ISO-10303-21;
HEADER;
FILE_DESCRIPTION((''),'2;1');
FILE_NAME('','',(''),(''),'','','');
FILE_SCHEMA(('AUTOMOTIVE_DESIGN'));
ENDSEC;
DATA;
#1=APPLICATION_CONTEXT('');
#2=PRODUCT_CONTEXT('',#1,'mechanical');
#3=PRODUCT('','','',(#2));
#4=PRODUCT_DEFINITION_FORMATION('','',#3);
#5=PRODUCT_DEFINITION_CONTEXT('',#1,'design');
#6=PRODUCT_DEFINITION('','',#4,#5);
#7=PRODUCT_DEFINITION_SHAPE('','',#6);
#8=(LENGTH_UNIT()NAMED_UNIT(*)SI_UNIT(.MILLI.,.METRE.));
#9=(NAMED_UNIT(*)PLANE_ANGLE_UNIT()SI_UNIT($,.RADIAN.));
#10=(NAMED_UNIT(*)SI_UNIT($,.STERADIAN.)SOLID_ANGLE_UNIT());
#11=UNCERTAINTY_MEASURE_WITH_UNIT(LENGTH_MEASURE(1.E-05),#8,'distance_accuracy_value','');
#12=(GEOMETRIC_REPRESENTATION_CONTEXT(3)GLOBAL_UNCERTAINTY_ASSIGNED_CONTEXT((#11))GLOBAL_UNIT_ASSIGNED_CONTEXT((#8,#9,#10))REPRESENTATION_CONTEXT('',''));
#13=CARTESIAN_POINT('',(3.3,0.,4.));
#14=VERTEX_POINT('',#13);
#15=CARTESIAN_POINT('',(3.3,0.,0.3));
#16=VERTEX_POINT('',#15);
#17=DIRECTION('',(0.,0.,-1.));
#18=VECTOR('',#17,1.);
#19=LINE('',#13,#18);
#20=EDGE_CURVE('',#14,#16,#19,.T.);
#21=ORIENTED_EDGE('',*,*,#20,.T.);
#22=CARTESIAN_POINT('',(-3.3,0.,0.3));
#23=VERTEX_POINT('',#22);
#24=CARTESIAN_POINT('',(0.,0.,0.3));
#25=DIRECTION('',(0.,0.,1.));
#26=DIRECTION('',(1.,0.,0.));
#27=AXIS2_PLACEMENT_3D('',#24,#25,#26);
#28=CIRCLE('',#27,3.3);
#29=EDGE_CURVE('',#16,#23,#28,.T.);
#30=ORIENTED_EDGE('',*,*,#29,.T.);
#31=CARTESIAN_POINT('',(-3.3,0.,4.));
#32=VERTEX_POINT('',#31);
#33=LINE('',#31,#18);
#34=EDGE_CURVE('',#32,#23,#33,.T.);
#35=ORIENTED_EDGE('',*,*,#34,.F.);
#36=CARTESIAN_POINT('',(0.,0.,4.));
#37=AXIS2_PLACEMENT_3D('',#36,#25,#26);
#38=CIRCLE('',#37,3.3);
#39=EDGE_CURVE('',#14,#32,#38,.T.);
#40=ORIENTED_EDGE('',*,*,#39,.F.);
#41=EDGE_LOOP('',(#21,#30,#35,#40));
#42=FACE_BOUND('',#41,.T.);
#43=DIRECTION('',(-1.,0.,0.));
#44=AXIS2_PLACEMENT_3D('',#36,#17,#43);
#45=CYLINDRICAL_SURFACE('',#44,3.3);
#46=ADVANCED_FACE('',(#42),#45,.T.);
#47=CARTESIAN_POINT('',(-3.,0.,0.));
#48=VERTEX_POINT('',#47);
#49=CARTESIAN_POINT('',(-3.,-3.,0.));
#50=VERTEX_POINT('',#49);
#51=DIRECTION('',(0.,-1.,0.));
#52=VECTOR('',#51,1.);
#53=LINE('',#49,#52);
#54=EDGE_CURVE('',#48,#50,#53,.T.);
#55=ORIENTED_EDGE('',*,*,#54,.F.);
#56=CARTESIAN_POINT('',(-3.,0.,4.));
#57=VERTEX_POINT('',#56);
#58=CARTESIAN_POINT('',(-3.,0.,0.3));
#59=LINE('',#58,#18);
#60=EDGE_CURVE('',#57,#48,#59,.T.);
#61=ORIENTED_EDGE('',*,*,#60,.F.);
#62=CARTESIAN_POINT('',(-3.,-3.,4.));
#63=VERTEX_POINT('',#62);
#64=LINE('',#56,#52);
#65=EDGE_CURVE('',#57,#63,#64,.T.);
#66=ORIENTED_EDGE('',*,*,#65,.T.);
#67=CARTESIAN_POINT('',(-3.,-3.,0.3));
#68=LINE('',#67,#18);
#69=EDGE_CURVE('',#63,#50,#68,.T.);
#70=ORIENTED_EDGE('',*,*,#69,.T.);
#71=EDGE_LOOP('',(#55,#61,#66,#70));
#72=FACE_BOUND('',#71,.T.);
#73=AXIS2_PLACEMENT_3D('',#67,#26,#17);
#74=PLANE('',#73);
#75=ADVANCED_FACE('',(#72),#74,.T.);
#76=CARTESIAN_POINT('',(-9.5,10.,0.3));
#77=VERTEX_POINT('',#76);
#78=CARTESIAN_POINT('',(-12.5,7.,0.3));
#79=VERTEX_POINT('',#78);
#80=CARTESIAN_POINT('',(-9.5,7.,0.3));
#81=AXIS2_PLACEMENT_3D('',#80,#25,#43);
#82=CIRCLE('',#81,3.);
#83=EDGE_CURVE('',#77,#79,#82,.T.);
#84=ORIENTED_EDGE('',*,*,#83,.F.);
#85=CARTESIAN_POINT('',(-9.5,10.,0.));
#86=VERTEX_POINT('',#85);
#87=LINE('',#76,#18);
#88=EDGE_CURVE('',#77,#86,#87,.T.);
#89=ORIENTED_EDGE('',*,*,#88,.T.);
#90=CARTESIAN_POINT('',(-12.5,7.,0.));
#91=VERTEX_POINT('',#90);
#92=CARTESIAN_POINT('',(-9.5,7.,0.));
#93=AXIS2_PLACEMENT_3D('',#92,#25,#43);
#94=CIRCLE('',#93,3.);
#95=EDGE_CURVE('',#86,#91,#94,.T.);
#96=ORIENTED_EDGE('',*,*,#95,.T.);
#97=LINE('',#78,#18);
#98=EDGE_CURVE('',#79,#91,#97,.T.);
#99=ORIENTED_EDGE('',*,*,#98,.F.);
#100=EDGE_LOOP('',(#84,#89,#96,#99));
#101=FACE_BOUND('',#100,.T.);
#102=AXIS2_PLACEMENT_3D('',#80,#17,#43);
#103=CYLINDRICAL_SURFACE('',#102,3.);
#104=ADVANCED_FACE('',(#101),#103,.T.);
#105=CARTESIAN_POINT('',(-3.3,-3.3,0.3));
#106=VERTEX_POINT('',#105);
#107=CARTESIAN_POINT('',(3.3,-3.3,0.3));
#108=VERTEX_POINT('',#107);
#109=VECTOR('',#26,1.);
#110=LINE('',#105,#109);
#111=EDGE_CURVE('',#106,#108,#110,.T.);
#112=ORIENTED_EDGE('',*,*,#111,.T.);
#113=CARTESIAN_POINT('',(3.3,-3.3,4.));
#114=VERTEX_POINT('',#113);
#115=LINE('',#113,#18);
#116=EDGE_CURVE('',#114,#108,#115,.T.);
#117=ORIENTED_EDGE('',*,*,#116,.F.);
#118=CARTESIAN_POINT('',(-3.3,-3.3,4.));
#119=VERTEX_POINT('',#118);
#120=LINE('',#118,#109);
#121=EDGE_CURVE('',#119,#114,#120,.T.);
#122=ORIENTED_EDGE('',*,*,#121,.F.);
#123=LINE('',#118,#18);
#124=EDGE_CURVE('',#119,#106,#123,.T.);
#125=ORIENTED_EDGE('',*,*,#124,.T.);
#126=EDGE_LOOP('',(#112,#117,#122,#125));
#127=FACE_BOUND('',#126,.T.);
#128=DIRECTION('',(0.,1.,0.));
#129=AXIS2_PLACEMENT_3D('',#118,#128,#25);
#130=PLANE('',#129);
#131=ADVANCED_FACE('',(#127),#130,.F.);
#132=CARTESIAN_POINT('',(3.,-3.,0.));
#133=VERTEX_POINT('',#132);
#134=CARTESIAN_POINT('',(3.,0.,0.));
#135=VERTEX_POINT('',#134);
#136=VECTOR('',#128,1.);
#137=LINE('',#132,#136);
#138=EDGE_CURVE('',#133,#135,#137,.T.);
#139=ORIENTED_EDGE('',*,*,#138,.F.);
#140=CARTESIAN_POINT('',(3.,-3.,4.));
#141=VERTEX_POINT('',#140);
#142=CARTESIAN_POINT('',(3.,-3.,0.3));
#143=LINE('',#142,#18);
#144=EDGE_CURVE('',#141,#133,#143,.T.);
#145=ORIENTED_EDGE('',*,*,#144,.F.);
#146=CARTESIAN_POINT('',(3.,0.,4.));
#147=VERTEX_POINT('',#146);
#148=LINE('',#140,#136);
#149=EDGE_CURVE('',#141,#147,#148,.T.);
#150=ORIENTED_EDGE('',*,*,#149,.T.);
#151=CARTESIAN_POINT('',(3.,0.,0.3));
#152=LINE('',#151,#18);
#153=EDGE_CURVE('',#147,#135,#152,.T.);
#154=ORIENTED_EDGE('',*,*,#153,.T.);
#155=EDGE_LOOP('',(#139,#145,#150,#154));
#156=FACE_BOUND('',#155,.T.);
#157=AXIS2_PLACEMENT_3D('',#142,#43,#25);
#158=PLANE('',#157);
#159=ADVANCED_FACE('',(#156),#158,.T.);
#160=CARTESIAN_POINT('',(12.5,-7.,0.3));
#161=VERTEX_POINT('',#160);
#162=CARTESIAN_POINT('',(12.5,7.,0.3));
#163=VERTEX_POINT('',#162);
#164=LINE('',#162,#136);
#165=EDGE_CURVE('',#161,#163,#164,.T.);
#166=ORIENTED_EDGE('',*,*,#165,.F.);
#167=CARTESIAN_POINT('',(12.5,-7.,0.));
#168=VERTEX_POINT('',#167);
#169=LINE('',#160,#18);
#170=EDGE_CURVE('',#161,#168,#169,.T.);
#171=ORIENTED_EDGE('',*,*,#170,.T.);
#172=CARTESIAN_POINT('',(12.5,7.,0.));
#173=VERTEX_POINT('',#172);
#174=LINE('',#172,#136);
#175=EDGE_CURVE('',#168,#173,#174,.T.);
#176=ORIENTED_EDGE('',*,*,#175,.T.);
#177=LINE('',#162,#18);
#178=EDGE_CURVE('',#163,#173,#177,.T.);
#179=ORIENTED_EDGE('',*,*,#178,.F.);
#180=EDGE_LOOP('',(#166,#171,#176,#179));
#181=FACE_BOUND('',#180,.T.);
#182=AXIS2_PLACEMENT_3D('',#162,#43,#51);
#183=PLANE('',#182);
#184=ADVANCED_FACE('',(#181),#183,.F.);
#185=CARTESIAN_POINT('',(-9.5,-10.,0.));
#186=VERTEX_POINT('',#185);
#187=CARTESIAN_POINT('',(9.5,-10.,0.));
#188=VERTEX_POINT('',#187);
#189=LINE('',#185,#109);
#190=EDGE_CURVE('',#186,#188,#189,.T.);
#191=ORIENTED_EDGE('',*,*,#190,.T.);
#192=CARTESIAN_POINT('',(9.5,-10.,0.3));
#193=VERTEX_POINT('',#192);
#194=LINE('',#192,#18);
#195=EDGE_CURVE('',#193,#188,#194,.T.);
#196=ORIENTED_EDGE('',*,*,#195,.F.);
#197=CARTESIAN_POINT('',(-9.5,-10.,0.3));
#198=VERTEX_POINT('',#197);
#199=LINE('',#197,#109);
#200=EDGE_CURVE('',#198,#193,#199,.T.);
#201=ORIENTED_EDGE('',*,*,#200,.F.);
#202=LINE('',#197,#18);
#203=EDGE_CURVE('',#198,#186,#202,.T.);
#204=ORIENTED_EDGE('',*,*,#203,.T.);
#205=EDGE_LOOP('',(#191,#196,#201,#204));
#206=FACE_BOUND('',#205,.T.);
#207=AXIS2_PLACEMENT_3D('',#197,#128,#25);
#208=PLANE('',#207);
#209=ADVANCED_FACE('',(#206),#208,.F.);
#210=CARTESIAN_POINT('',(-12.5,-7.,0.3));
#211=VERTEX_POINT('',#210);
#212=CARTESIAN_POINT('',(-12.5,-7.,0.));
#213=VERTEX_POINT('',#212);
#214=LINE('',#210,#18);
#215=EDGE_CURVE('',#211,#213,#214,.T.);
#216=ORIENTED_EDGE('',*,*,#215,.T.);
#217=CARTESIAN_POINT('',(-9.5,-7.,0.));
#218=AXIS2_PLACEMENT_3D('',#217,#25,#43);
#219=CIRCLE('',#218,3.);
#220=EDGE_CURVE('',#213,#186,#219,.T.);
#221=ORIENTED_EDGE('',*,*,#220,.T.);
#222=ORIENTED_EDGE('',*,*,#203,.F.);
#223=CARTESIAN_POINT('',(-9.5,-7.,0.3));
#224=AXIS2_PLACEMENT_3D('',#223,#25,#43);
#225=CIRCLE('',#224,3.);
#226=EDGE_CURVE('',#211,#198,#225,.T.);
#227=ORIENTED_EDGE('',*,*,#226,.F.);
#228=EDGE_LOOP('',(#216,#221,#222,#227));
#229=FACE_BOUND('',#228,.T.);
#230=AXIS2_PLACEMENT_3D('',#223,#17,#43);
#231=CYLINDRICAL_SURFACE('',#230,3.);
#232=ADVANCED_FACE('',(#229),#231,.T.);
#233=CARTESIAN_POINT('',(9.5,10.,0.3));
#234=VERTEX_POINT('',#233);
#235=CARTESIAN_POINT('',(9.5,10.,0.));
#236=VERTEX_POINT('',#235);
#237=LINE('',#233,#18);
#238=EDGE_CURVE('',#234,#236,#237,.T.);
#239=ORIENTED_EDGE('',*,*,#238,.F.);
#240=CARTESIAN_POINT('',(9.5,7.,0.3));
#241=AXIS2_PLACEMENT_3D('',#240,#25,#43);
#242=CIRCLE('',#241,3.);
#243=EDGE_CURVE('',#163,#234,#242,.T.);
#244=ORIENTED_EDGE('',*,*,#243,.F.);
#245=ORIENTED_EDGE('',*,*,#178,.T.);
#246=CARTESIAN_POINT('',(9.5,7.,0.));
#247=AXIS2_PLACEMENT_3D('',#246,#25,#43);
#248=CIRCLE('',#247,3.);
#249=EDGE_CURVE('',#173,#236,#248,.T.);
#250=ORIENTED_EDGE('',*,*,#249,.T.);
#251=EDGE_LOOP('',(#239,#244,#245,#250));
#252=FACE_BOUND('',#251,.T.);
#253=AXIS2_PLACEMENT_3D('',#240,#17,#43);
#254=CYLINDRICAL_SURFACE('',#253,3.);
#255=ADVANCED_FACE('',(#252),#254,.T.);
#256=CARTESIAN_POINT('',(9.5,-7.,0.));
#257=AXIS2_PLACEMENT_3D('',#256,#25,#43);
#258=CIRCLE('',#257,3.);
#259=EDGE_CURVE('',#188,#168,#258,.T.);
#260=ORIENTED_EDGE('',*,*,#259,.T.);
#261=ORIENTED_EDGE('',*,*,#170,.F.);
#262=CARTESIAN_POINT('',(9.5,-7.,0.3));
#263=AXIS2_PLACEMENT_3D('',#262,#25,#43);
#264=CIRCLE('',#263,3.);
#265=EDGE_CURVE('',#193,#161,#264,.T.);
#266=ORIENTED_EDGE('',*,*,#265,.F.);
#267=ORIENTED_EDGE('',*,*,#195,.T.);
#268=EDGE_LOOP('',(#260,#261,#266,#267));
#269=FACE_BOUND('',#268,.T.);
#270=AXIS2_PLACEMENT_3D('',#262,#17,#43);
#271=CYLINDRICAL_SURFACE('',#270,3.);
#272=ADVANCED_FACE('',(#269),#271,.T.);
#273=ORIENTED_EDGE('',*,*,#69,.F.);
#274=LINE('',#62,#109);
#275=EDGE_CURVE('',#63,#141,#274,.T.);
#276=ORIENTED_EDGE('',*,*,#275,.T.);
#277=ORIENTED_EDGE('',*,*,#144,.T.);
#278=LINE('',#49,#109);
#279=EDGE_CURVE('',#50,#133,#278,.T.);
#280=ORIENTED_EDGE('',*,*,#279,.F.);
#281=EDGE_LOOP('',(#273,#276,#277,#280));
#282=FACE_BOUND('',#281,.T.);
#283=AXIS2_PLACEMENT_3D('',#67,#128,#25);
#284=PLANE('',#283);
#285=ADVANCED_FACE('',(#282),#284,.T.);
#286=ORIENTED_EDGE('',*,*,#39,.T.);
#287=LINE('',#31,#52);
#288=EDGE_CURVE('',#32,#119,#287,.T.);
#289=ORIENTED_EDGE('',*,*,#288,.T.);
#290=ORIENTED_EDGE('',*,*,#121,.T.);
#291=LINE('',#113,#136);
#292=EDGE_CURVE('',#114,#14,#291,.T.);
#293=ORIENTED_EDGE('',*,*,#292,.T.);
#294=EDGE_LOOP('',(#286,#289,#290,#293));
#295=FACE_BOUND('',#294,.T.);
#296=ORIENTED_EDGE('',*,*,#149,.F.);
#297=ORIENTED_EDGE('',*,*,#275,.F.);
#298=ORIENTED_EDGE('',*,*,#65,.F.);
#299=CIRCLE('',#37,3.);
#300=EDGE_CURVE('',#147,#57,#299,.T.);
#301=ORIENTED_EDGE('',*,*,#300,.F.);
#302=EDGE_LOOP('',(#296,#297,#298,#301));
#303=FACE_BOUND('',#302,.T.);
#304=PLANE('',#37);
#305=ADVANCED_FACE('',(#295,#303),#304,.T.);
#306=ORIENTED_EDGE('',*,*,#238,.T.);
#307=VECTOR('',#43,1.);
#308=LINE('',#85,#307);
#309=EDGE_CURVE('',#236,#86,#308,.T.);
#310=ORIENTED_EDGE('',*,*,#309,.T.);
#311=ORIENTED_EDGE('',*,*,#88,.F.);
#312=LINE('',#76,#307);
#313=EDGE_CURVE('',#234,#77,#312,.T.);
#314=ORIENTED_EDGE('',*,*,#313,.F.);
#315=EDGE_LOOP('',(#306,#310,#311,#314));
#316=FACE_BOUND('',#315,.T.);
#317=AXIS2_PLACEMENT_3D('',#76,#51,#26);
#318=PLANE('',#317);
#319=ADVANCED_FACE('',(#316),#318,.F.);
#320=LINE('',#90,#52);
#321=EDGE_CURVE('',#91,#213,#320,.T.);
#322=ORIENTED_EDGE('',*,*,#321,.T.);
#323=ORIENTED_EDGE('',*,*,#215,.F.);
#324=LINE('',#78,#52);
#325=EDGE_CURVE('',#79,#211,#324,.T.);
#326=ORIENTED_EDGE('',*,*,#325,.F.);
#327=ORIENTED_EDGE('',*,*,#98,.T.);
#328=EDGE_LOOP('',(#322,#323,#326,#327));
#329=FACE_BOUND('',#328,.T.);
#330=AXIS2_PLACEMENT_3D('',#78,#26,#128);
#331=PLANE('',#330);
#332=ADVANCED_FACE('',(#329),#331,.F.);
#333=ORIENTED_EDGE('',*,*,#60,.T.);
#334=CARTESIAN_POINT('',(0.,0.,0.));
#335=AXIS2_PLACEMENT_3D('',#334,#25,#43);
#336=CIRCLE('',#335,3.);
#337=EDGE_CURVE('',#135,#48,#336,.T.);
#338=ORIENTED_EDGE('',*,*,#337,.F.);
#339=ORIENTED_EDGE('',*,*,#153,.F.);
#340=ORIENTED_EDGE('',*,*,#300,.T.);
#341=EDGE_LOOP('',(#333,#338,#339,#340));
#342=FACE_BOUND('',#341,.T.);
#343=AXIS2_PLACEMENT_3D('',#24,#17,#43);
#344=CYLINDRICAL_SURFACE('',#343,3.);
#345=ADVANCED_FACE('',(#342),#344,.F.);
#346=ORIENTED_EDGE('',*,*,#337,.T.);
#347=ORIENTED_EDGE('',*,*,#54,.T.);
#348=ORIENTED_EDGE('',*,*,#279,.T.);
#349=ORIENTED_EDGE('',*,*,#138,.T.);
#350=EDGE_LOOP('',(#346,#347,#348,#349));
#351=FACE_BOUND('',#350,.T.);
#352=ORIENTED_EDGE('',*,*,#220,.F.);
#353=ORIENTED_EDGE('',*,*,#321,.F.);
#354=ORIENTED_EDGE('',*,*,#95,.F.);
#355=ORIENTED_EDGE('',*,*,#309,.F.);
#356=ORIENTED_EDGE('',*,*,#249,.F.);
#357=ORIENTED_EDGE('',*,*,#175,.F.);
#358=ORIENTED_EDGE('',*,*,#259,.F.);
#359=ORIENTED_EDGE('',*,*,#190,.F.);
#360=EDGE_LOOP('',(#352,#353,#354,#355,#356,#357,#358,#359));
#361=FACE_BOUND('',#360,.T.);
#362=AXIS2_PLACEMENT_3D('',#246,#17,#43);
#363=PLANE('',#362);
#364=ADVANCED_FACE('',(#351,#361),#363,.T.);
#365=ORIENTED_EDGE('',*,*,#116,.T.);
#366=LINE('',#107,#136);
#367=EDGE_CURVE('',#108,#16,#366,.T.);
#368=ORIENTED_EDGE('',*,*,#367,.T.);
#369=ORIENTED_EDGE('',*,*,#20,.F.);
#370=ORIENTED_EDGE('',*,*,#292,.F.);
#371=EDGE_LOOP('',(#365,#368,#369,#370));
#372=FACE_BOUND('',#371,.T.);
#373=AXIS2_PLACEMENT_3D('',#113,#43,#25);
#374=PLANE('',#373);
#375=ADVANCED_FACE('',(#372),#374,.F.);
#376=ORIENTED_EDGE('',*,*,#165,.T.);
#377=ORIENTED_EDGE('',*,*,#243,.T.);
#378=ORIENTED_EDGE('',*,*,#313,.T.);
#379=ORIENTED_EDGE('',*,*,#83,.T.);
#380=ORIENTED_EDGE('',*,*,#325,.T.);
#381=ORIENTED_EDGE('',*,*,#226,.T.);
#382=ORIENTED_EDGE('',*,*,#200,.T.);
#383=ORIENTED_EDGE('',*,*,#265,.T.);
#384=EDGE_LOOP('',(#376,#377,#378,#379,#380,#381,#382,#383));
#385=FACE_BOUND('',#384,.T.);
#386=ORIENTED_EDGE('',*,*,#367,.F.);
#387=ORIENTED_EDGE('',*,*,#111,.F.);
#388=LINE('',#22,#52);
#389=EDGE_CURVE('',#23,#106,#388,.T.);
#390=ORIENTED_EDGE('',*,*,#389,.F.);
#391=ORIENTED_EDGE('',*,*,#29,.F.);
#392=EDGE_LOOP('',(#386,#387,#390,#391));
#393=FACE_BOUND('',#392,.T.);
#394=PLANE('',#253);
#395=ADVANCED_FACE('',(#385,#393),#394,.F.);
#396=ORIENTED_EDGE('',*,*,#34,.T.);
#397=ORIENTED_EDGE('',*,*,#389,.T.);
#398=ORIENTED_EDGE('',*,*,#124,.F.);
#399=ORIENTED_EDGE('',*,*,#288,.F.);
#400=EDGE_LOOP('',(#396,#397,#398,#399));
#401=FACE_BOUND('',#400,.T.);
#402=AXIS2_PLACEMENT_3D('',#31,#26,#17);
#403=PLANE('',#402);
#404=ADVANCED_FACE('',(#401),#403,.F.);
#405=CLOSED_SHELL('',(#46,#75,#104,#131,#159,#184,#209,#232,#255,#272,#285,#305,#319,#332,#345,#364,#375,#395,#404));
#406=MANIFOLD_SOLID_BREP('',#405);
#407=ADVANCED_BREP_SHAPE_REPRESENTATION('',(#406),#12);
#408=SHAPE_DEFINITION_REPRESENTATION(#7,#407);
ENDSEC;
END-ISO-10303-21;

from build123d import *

# Parameters (mm, degrees)
EXTRUSION1_DEPTH = 0.3
EXTRUSION2_DEPTH = 3.7


with BuildPart() as part:
    # Esquisse1 → Extrusion1 (new body)
    with BuildSketch(Plane.XY):
        with BuildLine():
            Line((-9.5, 10), (9.5, 10))
            ThreePointArc((9.5, 10), (11.621320344, 9.121320344), (12.5, 7))
            Line((12.5, 7), (12.5, -7))
            ThreePointArc((12.5, -7), (11.621320344, -9.121320344), (9.5, -10))
            Line((9.5, -10), (-9.5, -10))
            ThreePointArc((-9.5, -10), (-11.621320344, -9.121320344), (-12.5, -7))
            Line((-12.5, -7), (-12.5, 7))
            ThreePointArc((-12.5, 7), (-11.621320344, 9.121320344), (-9.5, 10))
        make_face()
        with BuildLine():
            Line((-3, -3), (3, -3))
            Line((3, -3), (3, 0))
            ThreePointArc((3, 0), (0, 3), (-3, 0))
            Line((-3, 0), (-3, -3))
        make_face(mode=Mode.SUBTRACT)
    extrude(amount=EXTRUSION1_DEPTH)

    # Esquisse2 → Extrusion2 (add)
    with BuildSketch(Plane.XY.offset(0.3)):
        with BuildLine():
            Line((-3.3, -3.3), (3.3, -3.3))
            Line((3.3, -3.3), (3.3, 0))
            ThreePointArc((3.3, 0), (0, 3.3), (-3.3, 0))
            Line((-3.3, 0), (-3.3, -3.3))
        make_face()
        with BuildLine():
            Line((-3, -3), (3, -3))
            Line((3, -3), (3, 0))
            ThreePointArc((3, 0), (0, 3), (-3, 0))
            Line((-3, 0), (-3, -3))
        make_face(mode=Mode.SUBTRACT)
    extrude(amount=EXTRUSION2_DEPTH)


solid = part.part
